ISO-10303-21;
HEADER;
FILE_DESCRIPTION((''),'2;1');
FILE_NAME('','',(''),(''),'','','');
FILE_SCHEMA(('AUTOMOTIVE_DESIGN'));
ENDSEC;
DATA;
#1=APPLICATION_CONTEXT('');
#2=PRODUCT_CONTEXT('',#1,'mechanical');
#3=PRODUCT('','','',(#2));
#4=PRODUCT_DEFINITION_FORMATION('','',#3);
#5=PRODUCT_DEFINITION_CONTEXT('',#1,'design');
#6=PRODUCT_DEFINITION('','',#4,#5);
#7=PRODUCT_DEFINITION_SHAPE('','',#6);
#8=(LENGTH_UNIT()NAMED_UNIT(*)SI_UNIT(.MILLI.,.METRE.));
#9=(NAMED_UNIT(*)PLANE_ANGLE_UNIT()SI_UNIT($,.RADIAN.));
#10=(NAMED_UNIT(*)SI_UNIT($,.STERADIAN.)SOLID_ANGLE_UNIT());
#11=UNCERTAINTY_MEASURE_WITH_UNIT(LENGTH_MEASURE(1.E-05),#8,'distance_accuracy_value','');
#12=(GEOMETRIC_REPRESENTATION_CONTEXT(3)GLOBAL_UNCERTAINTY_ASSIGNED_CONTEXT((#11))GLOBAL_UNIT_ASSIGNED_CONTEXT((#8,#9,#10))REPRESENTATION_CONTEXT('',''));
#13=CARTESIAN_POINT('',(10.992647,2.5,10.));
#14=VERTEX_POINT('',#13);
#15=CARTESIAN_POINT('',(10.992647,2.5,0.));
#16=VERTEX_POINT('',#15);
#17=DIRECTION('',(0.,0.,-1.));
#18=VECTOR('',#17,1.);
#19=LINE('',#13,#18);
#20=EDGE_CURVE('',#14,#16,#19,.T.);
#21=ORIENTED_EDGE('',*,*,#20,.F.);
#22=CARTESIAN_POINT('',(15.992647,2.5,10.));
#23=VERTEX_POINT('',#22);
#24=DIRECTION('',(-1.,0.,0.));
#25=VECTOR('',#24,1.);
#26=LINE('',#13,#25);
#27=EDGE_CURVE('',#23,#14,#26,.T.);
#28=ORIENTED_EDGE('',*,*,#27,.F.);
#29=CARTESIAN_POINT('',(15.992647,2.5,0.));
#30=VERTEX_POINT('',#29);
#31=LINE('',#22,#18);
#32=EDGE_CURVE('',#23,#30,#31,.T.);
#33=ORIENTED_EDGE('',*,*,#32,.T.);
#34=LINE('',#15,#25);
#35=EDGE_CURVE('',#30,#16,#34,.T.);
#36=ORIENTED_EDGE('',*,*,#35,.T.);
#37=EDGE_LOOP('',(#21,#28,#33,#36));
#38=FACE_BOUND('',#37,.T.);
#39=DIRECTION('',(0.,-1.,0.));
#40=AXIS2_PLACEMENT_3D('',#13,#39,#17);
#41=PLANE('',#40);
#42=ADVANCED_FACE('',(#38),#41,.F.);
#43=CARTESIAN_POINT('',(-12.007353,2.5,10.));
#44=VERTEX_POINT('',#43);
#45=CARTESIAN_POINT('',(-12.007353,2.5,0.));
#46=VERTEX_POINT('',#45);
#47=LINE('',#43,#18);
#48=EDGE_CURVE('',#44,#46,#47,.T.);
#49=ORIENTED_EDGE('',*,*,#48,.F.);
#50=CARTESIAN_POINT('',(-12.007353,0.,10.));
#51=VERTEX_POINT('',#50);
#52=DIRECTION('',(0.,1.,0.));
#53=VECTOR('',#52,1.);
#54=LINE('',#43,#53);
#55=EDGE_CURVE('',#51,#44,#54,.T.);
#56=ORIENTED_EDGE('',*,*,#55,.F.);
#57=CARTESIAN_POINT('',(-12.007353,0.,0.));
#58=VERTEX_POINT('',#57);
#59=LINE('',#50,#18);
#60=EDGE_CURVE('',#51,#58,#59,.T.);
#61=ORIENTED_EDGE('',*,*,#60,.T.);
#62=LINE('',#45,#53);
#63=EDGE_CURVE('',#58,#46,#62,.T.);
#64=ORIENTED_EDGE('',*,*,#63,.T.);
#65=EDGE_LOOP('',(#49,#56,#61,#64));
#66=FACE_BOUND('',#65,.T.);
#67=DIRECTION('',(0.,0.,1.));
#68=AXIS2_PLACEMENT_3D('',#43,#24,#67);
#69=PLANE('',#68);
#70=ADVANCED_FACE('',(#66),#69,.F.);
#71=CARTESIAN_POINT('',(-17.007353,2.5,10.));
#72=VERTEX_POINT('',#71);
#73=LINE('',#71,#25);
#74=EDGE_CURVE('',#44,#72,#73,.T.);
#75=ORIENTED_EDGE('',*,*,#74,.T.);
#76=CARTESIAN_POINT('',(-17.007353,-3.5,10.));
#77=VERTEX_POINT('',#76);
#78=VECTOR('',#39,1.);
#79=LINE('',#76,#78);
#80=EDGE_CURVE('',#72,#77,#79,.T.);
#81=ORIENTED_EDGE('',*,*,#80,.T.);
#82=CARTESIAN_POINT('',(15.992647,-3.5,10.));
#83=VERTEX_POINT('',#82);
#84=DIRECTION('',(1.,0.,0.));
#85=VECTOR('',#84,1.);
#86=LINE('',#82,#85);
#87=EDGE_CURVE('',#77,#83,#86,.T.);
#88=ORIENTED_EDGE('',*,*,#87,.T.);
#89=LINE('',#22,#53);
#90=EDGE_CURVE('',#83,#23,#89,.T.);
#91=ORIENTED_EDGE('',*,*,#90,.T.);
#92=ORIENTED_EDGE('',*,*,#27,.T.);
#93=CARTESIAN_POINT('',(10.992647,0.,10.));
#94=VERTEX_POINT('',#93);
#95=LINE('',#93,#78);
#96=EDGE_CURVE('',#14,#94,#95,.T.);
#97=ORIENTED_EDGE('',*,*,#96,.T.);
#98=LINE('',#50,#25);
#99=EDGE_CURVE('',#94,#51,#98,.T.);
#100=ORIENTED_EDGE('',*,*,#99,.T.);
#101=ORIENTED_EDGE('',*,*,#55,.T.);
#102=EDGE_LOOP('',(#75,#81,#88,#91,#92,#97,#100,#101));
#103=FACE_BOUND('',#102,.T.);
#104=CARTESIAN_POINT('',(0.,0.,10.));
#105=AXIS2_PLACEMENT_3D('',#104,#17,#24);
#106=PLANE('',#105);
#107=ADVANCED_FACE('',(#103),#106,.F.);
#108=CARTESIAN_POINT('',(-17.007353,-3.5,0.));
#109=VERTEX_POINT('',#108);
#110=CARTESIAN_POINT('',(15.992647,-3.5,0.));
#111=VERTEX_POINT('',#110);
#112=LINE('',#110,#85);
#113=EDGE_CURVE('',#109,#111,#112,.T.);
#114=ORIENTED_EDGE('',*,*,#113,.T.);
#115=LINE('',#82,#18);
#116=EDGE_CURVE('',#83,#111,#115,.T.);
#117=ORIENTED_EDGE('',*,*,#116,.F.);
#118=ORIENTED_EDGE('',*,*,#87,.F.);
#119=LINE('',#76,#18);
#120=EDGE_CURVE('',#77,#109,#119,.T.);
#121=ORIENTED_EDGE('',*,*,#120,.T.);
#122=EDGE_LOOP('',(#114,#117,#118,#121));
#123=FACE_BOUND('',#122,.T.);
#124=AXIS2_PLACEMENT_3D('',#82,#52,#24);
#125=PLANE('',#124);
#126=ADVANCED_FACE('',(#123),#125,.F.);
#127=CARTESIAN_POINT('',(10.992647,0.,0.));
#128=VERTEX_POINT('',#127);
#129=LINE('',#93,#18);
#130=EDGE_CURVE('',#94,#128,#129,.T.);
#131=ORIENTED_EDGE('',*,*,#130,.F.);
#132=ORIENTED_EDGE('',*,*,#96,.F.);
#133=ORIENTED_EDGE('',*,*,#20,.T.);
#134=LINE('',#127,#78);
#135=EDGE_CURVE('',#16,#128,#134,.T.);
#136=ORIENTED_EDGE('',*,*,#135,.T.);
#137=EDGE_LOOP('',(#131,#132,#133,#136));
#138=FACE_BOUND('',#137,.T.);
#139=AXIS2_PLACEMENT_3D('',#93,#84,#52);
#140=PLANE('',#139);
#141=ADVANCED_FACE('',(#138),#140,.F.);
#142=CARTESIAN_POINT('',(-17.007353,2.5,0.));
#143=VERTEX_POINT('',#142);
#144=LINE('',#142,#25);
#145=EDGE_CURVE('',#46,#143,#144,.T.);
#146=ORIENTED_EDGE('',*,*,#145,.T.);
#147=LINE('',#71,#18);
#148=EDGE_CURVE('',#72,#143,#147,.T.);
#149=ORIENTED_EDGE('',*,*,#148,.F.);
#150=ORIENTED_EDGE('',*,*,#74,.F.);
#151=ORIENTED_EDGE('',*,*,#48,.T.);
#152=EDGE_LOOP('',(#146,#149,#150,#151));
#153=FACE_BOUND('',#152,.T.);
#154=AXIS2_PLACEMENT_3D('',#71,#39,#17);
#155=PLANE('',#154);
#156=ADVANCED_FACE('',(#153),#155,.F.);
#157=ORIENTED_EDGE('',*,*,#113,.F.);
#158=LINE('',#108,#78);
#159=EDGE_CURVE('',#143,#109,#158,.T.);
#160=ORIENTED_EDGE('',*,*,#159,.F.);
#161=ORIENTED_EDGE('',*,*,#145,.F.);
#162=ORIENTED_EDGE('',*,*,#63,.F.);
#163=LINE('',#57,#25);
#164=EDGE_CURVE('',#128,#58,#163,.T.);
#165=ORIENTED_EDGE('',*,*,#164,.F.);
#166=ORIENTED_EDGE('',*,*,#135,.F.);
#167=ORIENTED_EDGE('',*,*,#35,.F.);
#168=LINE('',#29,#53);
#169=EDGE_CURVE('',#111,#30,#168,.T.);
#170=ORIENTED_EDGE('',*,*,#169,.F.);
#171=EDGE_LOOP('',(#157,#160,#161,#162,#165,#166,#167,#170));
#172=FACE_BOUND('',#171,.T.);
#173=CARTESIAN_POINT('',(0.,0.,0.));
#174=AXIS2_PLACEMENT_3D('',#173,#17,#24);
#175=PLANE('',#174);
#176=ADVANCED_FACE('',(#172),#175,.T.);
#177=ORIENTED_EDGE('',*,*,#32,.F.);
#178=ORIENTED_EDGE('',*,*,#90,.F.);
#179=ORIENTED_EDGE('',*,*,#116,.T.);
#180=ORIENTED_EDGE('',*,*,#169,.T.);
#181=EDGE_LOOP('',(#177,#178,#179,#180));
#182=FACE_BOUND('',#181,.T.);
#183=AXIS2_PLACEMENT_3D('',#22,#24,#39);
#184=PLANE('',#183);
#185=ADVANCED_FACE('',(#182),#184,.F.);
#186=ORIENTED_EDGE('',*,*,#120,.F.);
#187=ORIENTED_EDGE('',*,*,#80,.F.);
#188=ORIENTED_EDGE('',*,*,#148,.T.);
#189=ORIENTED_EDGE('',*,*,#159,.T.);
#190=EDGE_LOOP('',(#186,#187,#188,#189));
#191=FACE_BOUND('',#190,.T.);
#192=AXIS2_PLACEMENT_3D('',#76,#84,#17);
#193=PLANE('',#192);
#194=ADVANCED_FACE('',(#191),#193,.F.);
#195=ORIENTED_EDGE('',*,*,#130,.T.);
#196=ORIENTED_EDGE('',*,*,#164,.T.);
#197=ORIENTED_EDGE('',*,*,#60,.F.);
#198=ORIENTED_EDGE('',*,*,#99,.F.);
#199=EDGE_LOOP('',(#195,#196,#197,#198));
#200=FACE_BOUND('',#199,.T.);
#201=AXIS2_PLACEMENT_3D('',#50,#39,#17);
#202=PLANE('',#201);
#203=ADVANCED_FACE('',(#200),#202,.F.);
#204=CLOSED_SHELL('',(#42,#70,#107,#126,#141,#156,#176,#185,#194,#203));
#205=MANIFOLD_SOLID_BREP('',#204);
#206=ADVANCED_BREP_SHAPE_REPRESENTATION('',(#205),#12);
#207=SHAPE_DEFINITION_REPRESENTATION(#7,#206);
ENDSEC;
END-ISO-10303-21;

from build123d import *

# Parameters (mm, degrees)
EXTRUDE1_DEPTH = 10


with BuildPart() as part:
    # Sketch1 → Extrude1 (new body)
    with BuildSketch(Plane.XY):
        Polygon((-17.007352941, 2.5), (-12.007352941, 2.5), (-12.007352941, 0), (10.992647059, 0), (10.992647059, 2.5), (15.992647059, 2.5), (15.992647059, -3.5), (-17.007352941, -3.5), align=None)
    extrude(amount=EXTRUDE1_DEPTH)


solid = part.part
